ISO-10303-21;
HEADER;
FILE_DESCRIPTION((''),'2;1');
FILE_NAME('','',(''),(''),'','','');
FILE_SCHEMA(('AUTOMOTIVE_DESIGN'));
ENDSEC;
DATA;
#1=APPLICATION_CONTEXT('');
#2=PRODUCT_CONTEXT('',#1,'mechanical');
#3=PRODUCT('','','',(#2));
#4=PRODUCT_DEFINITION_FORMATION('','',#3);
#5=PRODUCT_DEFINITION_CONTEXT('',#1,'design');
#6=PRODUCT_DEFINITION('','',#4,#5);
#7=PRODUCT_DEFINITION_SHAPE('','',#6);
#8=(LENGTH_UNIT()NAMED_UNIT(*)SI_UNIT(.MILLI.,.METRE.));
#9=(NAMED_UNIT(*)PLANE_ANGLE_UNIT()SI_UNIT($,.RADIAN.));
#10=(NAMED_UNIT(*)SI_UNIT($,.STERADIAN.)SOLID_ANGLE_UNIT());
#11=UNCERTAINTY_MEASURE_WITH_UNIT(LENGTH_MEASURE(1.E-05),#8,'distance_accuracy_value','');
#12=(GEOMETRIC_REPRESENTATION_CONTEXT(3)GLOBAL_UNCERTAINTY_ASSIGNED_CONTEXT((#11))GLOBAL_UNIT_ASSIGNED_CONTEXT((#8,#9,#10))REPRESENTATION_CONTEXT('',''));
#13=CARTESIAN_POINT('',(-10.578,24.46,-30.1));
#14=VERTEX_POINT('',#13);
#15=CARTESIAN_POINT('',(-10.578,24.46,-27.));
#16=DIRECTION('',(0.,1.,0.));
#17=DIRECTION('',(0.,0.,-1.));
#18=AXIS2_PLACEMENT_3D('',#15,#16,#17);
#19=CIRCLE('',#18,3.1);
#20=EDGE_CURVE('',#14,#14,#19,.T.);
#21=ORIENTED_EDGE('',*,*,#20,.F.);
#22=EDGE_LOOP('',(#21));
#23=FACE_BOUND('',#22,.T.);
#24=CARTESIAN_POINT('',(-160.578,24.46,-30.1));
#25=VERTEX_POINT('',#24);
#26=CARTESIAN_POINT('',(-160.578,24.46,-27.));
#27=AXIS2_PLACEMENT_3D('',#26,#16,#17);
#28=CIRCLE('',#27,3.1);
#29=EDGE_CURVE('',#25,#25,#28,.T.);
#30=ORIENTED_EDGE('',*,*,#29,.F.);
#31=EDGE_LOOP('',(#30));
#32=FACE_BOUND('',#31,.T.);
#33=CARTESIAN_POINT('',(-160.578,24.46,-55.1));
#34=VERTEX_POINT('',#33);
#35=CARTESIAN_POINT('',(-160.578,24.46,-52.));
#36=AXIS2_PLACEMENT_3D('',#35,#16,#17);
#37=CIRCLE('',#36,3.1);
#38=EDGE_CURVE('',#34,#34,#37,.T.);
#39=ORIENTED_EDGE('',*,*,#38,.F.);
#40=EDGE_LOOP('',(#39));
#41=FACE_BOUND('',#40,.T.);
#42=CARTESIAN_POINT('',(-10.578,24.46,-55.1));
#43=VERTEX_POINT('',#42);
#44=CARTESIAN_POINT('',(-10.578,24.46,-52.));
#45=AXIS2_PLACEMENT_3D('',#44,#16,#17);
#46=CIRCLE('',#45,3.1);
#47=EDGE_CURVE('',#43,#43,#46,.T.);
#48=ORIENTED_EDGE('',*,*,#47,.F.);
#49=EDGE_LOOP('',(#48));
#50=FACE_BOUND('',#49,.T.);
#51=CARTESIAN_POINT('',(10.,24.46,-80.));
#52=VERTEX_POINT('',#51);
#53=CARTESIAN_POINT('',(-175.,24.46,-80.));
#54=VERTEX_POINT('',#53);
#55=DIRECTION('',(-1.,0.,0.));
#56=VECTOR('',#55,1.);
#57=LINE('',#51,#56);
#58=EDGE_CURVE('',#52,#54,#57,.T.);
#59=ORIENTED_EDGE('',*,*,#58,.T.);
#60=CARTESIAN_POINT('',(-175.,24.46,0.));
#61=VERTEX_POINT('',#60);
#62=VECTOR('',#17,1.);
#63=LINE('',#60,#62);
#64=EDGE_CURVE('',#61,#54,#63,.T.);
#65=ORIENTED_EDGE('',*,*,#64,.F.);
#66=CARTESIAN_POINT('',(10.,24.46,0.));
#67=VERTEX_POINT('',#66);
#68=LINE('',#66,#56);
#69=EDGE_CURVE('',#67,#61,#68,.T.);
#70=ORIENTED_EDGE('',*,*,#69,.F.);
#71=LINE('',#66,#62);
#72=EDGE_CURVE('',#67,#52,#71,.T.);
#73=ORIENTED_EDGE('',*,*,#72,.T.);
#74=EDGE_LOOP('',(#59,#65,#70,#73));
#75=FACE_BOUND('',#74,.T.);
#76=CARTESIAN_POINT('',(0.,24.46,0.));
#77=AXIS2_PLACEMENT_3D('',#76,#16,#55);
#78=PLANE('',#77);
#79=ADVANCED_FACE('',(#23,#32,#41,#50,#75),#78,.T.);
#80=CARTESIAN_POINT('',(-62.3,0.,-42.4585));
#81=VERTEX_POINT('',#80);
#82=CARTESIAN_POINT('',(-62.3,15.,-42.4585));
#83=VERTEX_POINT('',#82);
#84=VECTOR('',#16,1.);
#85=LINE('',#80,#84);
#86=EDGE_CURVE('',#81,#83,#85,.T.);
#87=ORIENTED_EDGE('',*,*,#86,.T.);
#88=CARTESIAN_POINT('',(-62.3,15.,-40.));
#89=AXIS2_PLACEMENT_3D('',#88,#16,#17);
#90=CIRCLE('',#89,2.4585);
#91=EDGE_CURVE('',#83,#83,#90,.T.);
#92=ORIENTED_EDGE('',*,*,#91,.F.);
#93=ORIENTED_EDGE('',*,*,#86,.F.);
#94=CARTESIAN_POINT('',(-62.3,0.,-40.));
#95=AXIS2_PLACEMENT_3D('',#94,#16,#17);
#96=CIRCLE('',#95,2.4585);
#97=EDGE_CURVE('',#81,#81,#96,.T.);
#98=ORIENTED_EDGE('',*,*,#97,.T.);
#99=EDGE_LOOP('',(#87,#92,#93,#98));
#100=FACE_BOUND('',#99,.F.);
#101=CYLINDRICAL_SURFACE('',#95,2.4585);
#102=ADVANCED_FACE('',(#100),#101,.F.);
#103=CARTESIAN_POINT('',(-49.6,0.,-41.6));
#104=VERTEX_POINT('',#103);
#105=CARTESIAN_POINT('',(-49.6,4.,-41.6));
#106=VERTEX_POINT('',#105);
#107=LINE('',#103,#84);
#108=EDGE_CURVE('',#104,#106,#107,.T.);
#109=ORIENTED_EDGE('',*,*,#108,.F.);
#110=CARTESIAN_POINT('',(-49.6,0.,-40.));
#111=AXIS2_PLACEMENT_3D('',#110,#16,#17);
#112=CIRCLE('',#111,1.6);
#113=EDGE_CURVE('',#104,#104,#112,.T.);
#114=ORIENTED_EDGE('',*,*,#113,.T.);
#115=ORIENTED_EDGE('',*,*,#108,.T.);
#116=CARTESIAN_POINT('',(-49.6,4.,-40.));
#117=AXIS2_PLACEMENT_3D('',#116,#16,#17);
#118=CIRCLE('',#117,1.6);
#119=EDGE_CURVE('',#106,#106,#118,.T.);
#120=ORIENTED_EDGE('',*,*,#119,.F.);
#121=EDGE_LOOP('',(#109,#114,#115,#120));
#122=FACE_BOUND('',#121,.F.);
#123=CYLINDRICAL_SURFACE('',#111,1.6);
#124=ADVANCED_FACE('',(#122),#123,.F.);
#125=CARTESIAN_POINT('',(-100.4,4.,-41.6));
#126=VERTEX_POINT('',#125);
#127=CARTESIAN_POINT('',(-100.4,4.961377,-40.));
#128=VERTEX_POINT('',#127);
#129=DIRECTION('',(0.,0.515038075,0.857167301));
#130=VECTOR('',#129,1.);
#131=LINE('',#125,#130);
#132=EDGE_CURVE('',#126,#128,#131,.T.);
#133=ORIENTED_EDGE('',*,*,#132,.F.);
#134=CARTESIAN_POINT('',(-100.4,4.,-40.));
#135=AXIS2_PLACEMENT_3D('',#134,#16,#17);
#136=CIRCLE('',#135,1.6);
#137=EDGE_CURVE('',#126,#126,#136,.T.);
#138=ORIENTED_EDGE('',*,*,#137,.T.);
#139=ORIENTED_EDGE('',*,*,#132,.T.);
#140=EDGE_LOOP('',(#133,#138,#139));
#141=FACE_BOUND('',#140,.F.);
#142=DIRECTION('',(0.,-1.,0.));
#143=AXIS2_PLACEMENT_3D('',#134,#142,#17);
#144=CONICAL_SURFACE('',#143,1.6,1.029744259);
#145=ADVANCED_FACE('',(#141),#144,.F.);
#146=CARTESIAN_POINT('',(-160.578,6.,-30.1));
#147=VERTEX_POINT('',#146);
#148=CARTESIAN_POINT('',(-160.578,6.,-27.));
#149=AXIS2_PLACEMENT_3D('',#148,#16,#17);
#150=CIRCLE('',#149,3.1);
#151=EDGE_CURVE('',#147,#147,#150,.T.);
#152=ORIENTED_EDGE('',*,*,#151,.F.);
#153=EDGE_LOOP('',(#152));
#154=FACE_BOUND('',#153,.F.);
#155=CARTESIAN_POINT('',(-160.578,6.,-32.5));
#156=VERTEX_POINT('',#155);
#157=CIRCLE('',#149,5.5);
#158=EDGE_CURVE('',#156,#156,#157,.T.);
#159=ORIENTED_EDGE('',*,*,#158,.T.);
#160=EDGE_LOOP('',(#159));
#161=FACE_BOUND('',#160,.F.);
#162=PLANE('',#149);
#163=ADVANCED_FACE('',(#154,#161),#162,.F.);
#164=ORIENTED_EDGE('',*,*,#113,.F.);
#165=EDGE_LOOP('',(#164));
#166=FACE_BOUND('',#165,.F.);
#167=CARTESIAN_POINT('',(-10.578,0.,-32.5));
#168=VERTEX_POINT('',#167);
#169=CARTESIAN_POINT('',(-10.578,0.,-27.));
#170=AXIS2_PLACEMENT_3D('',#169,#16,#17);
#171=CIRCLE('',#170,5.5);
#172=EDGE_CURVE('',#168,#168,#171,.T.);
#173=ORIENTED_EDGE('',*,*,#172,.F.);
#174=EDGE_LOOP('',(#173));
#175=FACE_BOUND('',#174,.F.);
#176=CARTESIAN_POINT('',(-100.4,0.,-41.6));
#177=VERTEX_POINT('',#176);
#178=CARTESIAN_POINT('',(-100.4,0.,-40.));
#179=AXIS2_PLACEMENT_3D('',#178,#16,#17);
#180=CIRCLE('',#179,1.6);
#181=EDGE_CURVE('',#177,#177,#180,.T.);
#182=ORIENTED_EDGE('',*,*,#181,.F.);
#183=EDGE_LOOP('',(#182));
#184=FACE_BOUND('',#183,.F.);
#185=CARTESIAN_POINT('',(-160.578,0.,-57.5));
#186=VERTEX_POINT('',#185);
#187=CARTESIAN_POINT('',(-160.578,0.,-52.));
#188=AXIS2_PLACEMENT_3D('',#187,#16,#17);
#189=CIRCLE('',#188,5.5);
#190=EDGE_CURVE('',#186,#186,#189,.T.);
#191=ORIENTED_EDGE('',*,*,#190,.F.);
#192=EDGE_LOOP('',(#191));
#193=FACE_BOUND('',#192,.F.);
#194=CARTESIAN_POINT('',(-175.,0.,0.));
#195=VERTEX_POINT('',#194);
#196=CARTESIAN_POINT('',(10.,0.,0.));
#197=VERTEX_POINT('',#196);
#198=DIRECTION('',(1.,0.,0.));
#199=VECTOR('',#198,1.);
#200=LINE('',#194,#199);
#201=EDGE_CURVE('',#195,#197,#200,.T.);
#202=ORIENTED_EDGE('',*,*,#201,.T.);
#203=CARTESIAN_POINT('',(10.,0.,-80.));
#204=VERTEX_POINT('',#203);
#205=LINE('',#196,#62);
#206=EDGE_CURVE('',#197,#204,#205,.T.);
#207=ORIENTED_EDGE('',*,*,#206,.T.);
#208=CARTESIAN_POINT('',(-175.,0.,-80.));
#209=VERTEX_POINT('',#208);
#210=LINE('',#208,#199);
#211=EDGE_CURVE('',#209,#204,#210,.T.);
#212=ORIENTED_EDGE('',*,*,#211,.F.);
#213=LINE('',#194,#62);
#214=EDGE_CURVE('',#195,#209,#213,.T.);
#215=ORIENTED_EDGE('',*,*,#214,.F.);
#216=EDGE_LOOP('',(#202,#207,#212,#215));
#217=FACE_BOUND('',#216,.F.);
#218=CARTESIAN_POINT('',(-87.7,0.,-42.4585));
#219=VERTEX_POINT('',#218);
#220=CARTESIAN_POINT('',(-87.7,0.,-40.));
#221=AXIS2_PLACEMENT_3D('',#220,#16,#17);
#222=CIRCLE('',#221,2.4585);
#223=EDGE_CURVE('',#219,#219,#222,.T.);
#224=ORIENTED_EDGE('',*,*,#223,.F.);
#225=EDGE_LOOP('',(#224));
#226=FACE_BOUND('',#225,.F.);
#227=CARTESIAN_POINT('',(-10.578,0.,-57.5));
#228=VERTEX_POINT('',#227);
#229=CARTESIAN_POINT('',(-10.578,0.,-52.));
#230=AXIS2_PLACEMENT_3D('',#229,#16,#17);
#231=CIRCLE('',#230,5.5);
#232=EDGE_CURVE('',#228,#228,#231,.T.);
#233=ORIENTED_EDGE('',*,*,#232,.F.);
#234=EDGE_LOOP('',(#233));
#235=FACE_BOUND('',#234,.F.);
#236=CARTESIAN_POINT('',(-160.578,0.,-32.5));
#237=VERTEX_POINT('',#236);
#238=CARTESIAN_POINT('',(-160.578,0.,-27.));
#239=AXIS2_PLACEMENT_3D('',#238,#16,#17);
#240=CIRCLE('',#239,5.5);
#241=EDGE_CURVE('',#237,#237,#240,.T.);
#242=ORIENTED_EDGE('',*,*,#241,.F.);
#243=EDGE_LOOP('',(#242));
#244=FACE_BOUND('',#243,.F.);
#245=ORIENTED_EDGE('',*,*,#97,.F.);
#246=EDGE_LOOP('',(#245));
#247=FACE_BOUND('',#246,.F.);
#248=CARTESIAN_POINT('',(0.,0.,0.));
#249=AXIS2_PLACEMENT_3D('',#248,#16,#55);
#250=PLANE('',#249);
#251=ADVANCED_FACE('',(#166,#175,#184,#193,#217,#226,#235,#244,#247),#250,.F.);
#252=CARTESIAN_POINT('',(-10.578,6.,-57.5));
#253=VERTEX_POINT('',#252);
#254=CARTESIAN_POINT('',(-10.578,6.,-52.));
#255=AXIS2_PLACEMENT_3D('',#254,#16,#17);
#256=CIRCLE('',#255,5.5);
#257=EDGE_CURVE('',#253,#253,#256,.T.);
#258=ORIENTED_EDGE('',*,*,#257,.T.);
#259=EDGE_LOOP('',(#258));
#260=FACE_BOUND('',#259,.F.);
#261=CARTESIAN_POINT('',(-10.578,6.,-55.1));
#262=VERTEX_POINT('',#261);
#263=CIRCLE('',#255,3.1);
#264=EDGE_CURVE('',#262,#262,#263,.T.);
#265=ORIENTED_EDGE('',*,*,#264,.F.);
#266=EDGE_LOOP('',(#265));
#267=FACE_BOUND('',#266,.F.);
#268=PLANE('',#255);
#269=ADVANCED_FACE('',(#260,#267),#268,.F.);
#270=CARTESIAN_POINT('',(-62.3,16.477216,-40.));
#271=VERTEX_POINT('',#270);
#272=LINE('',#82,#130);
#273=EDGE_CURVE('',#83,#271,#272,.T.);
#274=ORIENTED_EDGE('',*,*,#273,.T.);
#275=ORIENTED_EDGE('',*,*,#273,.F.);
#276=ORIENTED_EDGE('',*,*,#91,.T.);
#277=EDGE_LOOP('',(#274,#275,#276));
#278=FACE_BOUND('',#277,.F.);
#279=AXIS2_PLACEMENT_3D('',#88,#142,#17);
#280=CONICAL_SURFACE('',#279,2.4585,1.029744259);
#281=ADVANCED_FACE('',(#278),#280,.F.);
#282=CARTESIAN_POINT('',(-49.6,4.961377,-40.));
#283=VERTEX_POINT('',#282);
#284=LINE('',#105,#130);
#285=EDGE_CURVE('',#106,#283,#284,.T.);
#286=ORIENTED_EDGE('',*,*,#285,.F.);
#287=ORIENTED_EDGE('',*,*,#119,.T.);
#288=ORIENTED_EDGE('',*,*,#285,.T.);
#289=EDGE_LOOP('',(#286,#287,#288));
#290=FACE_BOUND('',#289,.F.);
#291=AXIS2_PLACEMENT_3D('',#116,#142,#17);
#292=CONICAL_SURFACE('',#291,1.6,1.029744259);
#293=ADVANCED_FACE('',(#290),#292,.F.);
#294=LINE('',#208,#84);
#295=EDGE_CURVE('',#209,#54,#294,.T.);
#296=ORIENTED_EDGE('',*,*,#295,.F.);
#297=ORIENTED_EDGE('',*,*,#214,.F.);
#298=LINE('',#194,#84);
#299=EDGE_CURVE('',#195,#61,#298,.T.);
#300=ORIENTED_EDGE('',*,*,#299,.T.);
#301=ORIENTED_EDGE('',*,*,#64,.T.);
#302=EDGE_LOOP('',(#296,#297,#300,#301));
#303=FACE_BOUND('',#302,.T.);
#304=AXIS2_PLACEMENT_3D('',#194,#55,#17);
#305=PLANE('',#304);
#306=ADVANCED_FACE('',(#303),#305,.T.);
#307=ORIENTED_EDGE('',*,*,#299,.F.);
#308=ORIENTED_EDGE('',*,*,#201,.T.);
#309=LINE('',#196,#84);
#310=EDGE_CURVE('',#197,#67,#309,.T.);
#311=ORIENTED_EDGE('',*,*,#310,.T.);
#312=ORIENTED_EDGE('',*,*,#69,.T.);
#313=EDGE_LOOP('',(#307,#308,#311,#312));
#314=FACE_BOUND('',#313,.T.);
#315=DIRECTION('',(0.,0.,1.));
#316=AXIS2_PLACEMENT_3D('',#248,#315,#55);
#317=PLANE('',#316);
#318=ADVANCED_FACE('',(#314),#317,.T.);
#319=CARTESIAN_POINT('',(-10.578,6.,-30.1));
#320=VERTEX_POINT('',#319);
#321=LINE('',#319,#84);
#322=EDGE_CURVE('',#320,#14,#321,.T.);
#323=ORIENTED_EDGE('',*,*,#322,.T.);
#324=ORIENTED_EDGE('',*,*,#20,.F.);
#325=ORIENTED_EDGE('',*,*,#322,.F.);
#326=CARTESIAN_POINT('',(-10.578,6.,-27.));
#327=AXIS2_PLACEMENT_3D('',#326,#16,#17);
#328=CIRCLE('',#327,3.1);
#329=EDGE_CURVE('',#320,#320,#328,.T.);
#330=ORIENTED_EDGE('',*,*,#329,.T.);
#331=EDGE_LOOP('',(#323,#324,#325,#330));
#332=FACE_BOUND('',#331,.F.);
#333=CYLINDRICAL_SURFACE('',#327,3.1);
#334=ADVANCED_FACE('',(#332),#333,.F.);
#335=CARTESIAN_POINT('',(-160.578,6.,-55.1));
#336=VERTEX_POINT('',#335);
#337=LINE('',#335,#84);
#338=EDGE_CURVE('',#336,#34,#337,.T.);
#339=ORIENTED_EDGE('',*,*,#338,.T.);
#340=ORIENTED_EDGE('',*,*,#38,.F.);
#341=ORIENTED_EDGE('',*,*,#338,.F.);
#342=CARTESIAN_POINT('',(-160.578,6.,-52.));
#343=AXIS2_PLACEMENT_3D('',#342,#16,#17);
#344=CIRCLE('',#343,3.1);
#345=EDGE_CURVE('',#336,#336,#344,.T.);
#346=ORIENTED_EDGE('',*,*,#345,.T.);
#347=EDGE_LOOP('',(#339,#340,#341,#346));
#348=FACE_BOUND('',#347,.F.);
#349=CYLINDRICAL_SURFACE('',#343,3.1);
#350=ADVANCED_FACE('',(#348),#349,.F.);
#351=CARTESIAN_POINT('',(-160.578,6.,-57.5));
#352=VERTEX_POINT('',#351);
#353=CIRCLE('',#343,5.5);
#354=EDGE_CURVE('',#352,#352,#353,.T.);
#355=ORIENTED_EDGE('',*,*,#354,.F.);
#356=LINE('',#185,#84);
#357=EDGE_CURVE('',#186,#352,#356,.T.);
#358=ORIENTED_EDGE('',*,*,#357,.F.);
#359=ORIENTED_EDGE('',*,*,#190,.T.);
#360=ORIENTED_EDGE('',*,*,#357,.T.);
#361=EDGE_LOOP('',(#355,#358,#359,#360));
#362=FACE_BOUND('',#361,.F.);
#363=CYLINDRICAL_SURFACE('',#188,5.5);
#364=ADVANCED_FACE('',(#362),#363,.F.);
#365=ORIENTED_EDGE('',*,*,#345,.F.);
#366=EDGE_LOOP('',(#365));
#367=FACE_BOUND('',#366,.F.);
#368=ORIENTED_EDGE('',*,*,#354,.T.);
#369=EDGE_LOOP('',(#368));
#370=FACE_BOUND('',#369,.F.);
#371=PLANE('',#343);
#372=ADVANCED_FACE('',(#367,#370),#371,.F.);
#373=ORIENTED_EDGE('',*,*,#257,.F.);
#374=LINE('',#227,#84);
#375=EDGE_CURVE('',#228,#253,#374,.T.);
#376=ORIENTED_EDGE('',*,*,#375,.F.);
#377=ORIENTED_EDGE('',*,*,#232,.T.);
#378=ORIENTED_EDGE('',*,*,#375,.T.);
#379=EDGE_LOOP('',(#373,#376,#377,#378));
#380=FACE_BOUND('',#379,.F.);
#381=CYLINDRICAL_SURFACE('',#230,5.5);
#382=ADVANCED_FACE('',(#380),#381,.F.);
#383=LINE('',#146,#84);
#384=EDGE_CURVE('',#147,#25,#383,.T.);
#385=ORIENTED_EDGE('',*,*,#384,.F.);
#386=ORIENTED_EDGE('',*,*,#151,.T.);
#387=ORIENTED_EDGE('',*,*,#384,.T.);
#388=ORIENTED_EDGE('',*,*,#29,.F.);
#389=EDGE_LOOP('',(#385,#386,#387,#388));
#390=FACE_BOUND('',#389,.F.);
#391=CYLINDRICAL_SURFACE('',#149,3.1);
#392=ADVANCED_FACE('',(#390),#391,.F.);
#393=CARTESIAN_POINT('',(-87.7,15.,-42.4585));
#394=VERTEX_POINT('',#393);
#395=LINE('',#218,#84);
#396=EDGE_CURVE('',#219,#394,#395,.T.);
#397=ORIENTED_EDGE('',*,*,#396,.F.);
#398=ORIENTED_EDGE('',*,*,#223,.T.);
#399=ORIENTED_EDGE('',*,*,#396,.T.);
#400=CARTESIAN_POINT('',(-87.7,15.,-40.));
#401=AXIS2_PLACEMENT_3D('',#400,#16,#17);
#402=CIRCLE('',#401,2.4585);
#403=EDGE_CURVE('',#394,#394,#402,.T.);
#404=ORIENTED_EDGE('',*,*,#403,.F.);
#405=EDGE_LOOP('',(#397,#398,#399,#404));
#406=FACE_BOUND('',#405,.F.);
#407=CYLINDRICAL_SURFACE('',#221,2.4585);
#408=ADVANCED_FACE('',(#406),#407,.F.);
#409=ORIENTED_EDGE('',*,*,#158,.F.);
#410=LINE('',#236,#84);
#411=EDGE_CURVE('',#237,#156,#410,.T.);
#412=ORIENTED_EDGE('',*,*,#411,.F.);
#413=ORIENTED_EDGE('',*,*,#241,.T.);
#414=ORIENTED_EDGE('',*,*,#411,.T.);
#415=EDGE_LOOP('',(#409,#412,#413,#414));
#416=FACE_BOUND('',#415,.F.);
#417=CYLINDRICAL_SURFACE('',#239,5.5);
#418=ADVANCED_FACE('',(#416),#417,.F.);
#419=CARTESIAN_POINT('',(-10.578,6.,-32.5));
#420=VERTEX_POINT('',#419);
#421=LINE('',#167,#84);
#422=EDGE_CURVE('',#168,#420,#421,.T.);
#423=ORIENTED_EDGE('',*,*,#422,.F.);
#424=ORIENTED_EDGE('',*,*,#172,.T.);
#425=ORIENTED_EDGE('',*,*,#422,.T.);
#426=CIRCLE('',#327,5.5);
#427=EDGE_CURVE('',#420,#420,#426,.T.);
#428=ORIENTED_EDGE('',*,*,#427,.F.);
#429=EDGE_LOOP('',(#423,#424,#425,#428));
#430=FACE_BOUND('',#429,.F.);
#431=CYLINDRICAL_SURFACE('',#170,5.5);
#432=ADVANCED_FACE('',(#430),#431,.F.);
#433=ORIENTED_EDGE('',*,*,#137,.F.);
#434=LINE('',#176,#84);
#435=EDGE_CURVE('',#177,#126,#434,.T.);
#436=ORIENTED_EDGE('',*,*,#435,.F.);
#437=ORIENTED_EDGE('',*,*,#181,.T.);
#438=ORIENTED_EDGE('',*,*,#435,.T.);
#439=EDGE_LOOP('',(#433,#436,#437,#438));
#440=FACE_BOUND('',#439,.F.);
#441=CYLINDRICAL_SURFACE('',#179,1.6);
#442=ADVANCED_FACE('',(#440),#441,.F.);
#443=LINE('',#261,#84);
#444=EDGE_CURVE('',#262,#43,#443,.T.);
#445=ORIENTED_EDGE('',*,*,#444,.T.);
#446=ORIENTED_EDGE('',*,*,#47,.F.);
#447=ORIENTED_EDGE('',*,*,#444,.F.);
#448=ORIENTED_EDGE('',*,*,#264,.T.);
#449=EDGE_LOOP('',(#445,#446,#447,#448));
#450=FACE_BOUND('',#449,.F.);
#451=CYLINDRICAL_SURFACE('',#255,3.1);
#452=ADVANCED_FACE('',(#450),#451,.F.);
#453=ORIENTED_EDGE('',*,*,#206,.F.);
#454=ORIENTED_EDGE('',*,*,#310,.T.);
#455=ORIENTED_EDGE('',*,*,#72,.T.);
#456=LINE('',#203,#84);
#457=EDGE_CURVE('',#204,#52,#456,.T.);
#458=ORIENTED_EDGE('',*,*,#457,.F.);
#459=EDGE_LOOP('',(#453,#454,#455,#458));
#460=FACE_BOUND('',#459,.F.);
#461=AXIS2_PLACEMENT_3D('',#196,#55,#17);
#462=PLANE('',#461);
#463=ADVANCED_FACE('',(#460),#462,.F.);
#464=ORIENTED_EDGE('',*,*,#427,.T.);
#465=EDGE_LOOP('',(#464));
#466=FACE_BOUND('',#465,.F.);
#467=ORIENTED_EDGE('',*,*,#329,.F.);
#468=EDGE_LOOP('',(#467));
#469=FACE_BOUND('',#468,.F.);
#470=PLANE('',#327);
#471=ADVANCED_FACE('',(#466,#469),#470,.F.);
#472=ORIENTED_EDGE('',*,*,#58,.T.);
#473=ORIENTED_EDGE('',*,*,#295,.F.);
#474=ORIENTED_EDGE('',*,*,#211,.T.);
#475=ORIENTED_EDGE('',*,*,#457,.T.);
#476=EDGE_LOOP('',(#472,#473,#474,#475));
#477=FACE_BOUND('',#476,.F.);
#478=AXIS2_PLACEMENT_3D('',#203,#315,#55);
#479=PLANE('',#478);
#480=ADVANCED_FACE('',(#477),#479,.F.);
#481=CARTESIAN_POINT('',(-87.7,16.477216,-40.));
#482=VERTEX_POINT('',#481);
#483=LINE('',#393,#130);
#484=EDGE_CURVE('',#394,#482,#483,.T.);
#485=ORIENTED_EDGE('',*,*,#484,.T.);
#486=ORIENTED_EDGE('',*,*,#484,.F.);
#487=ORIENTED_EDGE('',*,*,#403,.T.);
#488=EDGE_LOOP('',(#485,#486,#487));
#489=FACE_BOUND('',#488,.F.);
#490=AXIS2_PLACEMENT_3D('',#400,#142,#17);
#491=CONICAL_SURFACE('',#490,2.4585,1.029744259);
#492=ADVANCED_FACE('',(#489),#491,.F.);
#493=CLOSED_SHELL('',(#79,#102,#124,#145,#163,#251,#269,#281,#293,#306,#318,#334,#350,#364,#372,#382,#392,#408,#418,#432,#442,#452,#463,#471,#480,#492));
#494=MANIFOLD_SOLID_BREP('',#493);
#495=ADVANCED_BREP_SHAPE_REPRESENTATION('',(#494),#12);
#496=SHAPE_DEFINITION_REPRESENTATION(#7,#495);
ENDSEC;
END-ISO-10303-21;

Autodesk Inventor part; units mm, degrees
ref_plane "YZ Plane" through (0, 0, 0) normal (1, 0, 0) x (0, 1, 0)
ref_plane "XZ Plane" through (0, 0, 0) normal (0, 1, 0) x (-1, 0, 0)
ref_plane "XY Plane" through (0, 0, 0) normal (0, 0, 1) x (1, 0, 0)
sketch "Sketch1" plane through (0, 0, 0) normal (0, 1, 0) x (-1, 0, 0)
  line L0 (0, 0) -> (150, 0)
  line L1 (150, 0) -> (150, -80)
  line L2 (150, -80) -> (0, -80)
  line L3 (0, -80) -> (0, 0)
  line L4 (150, -80) -> (0, -80)
  line L5 (0, -80) -> (0, -40)
  line L6 (0, -40) -> (150, -40)
  line L7 (150, -40) -> (150, -80)
  line L8 (150, -40) -> (100.4, -40)
  line L9 (100.4, -40) -> (87.7, -40)
  line L10 (87.7, -40) -> (62.3, -40)
  line L11 (62.3, -40) -> (49.6, -40)
  line L12 (0, 0) -> (10.578, 0)
  line L13 (10.578, 0) -> (10.578, -80)
  line L14 (10.578, -80) -> (0, -80)
  line L15 (0, -80) -> (0, 0)
  line L16 (10.578, 0) -> (10.578, -27)
  line L17 (10.578, -27) -> (10.578, -52)
  line L18 (10.578, -52) -> (10.578, -77)
  line L19 (150, 0) -> (160.578, 0)
  line L20 (160.578, 0) -> (160.578, -80)
  line L21 (160.578, -80) -> (150, -80)
  line L22 (150, -80) -> (150, 0)
  line L23 (160.578, 0) -> (160.578, -27)
  line L24 (160.578, -27) -> (160.578, -52)
  line L25 (160.578, -52) -> (160.578, -77)
  line L26 (0, 0) -> (-10, 0)
  line L27 (-10, 0) -> (-10, -80)
  line L28 (-10, -80) -> (0, -80)
  line L29 (0, -80) -> (0, 0)
  line L30 (150, 0) -> (175, 0)
  line L31 (175, 0) -> (175, -80)
  line L32 (175, -80) -> (150, -80)
  line L33 (150, -80) -> (150, 0)
  dimension "d0" = 150
  dimension "d1" = 80
  dimension "d2" = 40
  dimension "d3" = 49.6
  dimension "d4" = 12.7
  dimension "d5" = 25.4
  dimension "d6" = 12.7
  dimension "d34" = 10.578
  dimension "d35" = 27
  dimension "d36" = 25
  dimension "d37" = 25
  dimension "d46" = 27
  dimension "d47" = 25
  dimension "d48" = 25
  dimension "d49" = 10
  dimension "d50" = 25
  dimension "d51" = 14.422
extrude "Extrusion1" add sketch "Sketch1" along normal blind 24.46
hole "Hole1" at (-49.6, 0, -40) at (-100.4, 0, -40) direction (0, 1, 0) diameter 3.2 depth 4 tip angle 118
hole "Hole2" at (-87.7, 0, -40) at (-62.3, 0, -40) direction (0, 1, 0) diameter 4.917 depth 15 tip angle 118 thread size "M6x1" class "6H" standard "ANSI Metric M Profile"
hole "Hole4" at (-160.578, 0, -27) at (-160.578, 0, -52) at (-10.578, 0, -27) at (-10.578, 0, -52) direction (0, 1, 0) diameter 6.2 end through all counterbore diameter 11 counterbore depth 6 clearance for "Socket Head Cap Screw" size "M6" standard "Ansi Metric M Profile"
properties part number "CameraAdapter_part3"
